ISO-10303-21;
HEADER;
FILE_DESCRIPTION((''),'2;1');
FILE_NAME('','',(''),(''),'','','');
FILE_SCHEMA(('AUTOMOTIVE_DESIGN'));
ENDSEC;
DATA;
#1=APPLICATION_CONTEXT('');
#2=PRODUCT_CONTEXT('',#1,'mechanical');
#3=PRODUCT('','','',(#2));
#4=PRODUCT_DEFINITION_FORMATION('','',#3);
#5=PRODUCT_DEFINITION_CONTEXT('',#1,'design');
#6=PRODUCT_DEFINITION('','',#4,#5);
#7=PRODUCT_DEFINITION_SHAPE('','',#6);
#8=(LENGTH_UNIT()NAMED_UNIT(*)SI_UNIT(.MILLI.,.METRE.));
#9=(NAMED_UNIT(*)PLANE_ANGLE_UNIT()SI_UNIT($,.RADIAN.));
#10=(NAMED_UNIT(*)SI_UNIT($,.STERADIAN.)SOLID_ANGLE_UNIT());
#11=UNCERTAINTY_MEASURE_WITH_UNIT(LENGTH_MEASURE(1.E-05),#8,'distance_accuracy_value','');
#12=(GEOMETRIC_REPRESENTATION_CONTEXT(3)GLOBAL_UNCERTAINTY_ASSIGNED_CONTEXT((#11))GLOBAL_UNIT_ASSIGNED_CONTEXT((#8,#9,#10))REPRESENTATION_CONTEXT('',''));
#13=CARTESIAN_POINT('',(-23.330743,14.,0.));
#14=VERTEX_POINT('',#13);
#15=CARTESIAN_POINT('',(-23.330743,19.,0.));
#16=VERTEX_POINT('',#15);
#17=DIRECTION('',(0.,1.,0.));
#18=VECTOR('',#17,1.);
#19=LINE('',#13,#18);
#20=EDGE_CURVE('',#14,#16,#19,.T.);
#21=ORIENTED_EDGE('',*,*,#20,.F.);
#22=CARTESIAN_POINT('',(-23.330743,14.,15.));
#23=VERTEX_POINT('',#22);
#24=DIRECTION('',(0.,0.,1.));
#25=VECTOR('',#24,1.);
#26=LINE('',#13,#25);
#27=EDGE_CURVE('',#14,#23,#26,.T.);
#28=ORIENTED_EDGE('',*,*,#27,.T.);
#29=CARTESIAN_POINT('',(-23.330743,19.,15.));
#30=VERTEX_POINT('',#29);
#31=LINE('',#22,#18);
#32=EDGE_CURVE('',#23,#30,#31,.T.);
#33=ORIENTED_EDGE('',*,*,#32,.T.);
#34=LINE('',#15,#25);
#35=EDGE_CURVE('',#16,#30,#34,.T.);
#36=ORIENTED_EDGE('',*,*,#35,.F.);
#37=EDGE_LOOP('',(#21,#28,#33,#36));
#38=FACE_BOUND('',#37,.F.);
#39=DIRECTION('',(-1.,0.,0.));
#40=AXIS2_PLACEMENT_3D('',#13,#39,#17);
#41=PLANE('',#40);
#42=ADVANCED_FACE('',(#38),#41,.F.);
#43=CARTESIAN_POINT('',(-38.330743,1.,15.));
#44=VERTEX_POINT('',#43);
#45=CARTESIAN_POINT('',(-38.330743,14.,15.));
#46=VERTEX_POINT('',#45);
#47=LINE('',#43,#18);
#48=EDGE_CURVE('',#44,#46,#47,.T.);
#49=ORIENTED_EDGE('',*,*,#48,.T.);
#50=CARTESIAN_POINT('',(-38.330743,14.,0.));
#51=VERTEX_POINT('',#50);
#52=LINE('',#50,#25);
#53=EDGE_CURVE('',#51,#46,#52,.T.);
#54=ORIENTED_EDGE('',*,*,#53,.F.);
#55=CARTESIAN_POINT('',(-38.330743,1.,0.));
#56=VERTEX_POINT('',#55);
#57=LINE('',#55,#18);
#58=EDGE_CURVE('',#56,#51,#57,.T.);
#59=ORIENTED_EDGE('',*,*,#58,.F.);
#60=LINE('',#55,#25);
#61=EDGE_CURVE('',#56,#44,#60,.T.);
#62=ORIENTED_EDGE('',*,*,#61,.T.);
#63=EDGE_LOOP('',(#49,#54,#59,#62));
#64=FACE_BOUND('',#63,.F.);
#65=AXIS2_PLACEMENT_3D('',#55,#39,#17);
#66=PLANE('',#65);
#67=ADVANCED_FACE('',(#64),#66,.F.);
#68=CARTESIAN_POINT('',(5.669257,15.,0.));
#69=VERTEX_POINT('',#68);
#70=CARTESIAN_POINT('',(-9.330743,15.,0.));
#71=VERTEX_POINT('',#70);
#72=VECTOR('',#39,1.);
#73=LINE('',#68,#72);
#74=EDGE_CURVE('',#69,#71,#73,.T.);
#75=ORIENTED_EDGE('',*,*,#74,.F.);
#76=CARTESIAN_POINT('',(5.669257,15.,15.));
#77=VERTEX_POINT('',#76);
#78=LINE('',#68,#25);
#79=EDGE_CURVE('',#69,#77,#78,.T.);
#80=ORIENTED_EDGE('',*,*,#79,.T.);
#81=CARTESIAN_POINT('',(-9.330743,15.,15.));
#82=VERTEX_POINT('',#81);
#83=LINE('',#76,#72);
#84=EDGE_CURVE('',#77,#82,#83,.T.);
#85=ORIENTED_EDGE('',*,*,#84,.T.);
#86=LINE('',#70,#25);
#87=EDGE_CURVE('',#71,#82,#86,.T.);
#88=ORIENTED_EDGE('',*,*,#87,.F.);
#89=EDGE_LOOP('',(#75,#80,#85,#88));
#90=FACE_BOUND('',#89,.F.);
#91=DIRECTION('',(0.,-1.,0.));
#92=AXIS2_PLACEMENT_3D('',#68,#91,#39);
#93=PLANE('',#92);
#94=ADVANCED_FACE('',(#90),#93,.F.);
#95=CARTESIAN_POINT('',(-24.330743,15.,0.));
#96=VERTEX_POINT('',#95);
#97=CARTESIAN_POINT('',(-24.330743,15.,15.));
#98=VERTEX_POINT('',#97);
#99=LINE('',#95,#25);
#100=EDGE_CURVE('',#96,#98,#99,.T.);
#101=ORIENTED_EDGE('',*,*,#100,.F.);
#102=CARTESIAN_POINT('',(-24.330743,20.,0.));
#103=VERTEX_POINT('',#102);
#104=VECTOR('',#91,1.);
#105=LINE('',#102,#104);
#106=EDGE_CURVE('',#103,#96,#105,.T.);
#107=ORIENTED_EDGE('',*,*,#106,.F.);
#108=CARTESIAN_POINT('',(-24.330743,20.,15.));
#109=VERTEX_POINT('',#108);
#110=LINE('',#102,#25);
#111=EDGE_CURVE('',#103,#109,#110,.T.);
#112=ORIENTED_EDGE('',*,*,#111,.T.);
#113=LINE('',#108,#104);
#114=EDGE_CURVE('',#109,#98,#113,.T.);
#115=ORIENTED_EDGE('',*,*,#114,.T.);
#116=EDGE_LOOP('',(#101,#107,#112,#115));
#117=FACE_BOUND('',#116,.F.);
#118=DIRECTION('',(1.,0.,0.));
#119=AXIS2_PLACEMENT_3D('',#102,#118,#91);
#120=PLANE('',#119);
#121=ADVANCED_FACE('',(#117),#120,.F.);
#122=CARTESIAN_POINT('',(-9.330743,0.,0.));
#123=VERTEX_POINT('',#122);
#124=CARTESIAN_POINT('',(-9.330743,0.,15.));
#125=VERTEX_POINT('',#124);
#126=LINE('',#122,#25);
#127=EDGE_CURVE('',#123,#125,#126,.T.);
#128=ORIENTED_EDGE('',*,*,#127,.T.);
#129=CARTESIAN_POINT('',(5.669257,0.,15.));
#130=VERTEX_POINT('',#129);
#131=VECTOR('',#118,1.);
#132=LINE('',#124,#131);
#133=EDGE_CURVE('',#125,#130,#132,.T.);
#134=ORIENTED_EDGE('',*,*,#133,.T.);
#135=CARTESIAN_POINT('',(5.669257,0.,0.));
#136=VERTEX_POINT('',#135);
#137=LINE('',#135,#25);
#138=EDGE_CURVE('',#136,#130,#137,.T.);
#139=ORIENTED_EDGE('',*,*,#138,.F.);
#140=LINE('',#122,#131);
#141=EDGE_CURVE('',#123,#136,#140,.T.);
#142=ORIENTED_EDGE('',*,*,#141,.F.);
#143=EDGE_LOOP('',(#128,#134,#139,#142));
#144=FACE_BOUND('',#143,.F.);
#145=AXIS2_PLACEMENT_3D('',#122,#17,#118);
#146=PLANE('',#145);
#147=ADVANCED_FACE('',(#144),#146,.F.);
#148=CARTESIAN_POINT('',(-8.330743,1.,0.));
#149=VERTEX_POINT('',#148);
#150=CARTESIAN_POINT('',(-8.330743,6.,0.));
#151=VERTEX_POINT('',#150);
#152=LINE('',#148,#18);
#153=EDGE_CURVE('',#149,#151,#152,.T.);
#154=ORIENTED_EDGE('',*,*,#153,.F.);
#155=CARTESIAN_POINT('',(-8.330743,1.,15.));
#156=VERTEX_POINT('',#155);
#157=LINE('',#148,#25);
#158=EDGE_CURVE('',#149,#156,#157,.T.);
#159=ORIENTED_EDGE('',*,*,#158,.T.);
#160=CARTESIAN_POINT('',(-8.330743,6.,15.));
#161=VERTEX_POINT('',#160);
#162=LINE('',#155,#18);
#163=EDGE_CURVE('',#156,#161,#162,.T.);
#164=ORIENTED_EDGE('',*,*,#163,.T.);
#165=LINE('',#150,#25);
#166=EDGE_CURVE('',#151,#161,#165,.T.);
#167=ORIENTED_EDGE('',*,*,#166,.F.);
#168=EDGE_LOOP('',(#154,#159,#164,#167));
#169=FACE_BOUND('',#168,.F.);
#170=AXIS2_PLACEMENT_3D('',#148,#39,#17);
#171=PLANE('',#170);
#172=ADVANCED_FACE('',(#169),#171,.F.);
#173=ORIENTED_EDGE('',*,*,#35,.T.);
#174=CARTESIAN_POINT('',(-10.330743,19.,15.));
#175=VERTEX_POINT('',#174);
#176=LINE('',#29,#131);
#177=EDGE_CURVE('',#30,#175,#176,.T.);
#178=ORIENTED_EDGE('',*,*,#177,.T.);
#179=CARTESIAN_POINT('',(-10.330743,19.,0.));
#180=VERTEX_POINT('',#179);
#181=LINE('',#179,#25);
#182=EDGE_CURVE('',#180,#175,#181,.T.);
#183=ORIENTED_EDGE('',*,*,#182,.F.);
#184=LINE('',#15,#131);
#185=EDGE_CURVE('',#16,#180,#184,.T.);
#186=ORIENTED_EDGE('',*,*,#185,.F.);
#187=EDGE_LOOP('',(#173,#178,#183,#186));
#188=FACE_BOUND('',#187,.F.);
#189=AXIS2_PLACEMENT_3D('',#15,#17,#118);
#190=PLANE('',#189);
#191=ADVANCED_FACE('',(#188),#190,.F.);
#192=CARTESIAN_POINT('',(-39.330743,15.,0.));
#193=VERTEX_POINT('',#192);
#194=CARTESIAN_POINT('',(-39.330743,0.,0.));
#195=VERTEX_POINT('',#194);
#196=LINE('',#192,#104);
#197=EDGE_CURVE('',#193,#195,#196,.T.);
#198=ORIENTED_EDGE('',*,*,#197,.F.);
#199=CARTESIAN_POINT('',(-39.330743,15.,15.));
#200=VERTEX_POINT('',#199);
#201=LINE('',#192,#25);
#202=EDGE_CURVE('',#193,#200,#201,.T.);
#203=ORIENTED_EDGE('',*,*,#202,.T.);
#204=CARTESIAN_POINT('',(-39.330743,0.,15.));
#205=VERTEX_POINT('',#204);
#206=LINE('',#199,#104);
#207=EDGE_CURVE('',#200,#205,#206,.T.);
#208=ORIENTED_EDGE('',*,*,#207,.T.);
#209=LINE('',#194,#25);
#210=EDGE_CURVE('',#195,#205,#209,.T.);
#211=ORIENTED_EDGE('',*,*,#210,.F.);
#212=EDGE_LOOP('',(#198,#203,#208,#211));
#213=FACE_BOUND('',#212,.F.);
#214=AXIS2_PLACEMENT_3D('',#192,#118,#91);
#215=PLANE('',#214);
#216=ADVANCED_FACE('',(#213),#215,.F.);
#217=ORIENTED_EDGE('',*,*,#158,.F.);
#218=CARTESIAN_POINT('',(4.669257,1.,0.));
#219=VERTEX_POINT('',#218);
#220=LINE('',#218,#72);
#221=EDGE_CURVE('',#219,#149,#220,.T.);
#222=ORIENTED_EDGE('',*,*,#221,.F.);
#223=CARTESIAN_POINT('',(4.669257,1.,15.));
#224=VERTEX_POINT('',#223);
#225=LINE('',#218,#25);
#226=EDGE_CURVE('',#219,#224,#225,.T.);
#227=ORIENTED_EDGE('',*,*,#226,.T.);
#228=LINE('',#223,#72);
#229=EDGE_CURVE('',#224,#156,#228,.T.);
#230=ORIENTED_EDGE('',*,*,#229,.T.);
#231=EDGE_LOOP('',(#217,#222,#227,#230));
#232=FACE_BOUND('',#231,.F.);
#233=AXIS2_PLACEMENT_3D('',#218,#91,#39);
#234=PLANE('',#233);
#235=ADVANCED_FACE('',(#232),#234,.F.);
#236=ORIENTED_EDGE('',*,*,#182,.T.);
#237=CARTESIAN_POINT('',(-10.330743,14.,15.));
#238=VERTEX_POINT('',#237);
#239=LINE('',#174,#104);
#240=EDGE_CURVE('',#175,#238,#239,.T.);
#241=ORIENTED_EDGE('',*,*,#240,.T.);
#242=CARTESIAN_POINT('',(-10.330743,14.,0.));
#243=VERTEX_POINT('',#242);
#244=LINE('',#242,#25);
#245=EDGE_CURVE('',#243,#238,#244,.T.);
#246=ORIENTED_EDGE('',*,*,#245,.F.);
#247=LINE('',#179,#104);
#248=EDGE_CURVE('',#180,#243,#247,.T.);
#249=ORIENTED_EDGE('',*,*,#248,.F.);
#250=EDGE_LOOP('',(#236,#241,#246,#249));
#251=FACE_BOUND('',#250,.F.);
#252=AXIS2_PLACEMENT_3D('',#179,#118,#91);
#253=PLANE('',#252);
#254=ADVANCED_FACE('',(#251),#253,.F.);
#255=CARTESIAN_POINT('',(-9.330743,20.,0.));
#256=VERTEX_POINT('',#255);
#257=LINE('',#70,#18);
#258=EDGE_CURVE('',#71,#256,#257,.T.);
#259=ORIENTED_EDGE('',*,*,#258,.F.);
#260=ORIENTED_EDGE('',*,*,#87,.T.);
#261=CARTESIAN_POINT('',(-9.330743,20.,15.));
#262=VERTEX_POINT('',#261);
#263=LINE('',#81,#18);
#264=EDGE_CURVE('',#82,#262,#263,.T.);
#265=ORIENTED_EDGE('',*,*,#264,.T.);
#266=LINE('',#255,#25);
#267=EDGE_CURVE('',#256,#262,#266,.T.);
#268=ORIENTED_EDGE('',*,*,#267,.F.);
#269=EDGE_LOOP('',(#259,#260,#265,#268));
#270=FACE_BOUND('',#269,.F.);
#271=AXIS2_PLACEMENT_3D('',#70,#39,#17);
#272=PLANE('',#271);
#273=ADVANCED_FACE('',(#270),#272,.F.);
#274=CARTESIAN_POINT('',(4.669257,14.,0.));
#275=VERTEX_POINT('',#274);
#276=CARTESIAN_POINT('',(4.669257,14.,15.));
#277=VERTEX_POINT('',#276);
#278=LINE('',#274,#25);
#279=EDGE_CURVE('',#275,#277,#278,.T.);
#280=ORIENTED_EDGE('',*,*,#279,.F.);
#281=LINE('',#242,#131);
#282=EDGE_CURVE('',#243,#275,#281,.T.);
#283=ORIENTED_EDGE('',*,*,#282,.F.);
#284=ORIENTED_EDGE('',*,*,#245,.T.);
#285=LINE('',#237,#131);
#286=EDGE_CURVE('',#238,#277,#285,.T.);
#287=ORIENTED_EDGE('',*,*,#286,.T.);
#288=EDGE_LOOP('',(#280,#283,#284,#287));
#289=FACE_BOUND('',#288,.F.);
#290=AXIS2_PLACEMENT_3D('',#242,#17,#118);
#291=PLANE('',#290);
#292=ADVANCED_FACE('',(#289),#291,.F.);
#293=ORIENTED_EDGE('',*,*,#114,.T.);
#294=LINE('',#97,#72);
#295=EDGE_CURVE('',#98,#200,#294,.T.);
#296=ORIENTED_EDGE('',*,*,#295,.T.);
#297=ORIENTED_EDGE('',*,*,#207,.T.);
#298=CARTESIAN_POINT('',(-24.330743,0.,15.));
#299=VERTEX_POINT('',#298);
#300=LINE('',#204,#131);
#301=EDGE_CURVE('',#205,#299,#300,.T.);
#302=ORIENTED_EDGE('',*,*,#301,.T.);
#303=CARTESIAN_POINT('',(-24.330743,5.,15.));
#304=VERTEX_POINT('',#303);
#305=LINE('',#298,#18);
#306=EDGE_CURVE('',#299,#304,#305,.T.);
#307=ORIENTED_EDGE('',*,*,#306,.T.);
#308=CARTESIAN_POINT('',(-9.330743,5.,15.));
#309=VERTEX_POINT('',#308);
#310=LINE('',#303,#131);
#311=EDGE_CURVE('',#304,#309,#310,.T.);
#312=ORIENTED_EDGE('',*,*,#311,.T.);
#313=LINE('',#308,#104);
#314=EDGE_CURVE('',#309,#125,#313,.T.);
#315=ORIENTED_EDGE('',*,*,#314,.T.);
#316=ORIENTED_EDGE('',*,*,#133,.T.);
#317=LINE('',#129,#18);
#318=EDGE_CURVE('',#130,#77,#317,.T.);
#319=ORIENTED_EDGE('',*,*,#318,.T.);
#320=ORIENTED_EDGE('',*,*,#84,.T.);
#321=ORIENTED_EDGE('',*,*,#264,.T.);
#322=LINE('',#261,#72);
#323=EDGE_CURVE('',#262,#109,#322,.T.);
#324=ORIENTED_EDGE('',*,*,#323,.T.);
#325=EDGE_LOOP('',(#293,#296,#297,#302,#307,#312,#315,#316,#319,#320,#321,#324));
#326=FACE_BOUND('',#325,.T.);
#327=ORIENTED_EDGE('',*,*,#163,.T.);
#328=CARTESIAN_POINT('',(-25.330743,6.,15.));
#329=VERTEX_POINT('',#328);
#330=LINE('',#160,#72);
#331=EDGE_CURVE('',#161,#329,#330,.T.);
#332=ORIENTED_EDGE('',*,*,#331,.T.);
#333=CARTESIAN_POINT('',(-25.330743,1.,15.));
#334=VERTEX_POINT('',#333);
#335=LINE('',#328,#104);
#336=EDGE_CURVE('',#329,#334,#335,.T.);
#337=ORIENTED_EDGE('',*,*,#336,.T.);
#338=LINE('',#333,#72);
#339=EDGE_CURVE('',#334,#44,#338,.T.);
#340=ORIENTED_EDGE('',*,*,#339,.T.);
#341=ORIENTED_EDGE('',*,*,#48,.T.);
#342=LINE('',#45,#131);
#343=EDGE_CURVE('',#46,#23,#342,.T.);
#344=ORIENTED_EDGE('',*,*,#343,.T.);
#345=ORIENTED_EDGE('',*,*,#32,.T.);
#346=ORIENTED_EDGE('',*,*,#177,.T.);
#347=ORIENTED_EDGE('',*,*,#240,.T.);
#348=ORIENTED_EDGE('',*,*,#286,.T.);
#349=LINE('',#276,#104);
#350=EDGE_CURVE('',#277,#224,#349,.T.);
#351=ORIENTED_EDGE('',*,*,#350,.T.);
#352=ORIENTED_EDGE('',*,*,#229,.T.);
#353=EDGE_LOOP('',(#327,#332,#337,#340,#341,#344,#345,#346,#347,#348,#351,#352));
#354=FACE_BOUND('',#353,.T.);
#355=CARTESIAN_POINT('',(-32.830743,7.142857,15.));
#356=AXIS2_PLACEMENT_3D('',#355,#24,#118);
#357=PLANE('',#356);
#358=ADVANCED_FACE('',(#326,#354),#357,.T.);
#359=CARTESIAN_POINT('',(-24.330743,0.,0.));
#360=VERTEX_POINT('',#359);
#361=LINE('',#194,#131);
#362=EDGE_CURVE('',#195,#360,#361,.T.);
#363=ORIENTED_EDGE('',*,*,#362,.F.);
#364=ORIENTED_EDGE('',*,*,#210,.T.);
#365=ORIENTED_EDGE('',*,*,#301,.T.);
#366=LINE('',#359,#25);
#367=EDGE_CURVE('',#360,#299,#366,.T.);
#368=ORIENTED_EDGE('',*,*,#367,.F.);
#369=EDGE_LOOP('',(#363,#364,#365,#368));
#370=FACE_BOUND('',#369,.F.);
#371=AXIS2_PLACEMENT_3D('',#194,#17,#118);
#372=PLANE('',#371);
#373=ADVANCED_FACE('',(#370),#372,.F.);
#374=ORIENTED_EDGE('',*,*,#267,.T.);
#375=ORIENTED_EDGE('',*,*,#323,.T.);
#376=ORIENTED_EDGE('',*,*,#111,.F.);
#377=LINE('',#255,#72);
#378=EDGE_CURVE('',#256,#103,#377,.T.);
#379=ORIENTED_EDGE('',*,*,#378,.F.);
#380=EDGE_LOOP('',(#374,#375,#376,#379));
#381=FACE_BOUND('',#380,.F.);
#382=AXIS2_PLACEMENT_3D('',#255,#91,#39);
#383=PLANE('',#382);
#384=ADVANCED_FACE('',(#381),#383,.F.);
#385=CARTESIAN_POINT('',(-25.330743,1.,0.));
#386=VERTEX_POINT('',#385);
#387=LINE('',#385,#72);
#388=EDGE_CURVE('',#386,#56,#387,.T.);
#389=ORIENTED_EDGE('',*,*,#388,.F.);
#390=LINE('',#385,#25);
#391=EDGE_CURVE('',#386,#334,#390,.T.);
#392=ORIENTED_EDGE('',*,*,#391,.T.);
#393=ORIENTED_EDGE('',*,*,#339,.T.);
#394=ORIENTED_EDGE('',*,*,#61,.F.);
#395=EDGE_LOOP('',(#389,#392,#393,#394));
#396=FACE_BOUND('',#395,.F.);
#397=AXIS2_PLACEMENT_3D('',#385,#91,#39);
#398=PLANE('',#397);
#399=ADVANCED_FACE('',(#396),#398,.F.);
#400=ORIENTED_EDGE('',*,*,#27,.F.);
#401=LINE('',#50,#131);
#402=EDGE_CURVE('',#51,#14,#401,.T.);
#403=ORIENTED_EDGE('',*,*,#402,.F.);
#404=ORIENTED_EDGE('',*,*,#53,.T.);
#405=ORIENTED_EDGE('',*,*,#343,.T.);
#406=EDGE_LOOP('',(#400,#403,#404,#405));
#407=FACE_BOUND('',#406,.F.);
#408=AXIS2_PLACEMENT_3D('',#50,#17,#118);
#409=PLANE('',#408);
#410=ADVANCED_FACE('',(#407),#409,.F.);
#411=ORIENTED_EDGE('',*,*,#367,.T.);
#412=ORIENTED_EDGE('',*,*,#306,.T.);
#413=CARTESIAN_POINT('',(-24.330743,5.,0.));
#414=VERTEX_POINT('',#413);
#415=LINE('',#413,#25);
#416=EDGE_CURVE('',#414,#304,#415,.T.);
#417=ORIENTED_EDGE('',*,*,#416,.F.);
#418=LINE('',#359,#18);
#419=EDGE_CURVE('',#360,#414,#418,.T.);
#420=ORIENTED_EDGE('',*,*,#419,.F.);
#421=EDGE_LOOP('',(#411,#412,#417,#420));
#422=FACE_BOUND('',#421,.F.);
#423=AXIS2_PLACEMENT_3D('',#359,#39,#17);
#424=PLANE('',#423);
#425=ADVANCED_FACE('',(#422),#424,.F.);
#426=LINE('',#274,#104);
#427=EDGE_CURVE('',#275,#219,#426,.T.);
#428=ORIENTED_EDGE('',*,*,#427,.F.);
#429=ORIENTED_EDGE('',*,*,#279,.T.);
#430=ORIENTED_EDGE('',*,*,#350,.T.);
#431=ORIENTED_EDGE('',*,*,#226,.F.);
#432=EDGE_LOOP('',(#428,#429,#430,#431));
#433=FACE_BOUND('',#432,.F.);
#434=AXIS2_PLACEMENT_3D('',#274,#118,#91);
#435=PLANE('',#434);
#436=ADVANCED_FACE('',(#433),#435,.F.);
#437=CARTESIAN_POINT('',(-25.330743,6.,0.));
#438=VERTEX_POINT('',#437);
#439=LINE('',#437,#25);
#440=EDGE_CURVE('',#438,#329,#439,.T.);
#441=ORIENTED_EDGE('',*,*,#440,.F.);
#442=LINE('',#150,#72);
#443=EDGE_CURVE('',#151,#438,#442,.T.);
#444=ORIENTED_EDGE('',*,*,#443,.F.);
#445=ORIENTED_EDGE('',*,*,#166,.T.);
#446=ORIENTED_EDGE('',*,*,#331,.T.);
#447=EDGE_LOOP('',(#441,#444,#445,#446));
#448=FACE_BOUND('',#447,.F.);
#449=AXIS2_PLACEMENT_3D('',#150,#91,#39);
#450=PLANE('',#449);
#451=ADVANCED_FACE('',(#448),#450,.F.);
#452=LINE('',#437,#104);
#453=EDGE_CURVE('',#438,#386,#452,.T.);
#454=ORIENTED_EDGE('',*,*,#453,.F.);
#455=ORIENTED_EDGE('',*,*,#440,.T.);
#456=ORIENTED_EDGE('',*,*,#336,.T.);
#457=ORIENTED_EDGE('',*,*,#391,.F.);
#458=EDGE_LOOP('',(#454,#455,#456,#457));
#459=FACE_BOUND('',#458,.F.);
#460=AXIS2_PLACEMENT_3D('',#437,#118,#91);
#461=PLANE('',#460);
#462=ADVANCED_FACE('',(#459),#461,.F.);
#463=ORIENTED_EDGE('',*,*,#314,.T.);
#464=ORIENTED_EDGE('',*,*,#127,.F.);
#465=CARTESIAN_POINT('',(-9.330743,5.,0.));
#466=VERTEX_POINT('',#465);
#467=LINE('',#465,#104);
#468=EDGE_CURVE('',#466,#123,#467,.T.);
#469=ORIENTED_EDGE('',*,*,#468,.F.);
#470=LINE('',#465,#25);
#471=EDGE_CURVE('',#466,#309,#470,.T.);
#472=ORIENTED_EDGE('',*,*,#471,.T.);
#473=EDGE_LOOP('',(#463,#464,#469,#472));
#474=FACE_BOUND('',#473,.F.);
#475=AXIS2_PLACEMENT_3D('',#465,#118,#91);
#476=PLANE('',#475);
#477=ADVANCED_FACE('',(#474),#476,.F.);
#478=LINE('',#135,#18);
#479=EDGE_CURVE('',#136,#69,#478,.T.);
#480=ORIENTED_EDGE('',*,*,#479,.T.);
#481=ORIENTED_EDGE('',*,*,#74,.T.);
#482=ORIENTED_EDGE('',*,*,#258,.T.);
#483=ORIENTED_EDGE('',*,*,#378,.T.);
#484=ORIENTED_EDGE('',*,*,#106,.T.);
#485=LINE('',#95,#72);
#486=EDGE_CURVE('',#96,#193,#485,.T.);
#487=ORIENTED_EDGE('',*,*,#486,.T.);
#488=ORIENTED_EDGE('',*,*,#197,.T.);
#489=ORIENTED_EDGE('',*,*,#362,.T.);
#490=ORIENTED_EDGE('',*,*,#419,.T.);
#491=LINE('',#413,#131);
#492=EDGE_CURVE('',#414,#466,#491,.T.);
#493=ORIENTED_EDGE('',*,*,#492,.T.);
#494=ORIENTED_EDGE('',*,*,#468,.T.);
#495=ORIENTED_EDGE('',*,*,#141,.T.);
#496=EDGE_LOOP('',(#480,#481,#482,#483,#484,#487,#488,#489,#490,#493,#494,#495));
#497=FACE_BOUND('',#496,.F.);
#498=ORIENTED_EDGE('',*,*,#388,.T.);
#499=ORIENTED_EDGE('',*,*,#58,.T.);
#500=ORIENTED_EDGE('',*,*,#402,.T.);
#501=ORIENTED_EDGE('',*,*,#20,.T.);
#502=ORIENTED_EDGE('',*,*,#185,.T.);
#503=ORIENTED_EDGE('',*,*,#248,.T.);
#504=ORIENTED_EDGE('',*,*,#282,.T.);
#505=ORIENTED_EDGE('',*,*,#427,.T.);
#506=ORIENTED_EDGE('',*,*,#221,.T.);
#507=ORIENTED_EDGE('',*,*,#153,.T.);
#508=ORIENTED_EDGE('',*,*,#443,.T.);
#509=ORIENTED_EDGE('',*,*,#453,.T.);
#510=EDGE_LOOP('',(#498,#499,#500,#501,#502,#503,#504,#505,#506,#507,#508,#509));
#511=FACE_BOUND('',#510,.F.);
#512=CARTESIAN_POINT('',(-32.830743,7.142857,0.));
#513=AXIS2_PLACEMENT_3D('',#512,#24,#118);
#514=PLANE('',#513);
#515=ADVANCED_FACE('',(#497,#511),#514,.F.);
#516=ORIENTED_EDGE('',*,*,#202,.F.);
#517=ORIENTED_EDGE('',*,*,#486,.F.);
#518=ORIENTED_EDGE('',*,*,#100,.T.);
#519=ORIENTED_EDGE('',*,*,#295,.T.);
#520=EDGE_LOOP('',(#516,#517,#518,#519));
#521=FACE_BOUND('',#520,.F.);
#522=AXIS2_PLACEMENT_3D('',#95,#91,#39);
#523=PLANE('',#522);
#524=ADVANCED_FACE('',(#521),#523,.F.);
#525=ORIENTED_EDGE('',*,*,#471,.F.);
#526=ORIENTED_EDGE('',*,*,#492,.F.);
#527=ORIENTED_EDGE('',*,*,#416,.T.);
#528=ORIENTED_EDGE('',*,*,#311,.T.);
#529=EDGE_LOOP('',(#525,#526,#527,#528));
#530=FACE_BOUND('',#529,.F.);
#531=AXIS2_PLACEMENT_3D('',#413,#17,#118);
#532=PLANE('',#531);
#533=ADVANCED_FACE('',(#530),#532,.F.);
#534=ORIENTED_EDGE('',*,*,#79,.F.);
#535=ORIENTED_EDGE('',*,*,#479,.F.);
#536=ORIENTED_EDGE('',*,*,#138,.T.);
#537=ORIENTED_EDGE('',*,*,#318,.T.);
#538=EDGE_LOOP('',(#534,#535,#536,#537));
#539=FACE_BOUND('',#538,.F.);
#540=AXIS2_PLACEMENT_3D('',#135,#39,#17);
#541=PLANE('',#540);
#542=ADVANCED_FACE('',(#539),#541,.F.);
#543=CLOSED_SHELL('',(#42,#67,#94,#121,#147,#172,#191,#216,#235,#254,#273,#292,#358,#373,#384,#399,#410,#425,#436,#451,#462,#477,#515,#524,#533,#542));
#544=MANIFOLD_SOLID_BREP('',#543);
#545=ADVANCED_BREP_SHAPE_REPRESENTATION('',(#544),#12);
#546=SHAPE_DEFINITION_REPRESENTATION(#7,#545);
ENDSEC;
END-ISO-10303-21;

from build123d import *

# Parameters (mm, degrees)
F2_DEPTH = 15


with BuildPart() as f2:
    # F1 (on Top) → F2 (new body)
    with BuildSketch(Plane.XY):
        Polygon((-39.3307432532, 0), (-24.3307432532, 0), (-24.3307432532, 5), (-24.3307432532, 6), (-25.3307432532, 6), (-25.3307432532, 1), (-38.3307432532, 1), (-38.3307432532, 14), (-25.3307432532, 14), (-24.3307432532, 14), (-24.3307432532, 15), (-39.3307432532, 15), align=None)
        Polygon((-24.3307432532, 6), (-24.3307432532, 5), (-9.3307432532, 5), (-9.3307432532, 6), (-10.3307432532, 6), (-23.3307432532, 6), align=None)
        Polygon((-9.3307432532, 6), (-9.3307432532, 5), (-9.3307432532, 0), (5.6692567468, 0), (5.6692567468, 15), (-9.3307432532, 15), (-9.3307432532, 14), (-8.3307432532, 14), (4.6692567468, 14), (4.6692567468, 1), (-8.3307432532, 1), (-8.3307432532, 6), align=None)
        Polygon((-24.3307432532, 20), (-24.3307432532, 15), (-24.3307432532, 14), (-23.3307432532, 14), (-23.3307432532, 19), (-10.3307432532, 19), (-10.3307432532, 14), (-9.3307432532, 14), (-9.3307432532, 15), (-9.3307432532, 20), align=None)
    extrude(amount=F2_DEPTH)


solid = f2.part
